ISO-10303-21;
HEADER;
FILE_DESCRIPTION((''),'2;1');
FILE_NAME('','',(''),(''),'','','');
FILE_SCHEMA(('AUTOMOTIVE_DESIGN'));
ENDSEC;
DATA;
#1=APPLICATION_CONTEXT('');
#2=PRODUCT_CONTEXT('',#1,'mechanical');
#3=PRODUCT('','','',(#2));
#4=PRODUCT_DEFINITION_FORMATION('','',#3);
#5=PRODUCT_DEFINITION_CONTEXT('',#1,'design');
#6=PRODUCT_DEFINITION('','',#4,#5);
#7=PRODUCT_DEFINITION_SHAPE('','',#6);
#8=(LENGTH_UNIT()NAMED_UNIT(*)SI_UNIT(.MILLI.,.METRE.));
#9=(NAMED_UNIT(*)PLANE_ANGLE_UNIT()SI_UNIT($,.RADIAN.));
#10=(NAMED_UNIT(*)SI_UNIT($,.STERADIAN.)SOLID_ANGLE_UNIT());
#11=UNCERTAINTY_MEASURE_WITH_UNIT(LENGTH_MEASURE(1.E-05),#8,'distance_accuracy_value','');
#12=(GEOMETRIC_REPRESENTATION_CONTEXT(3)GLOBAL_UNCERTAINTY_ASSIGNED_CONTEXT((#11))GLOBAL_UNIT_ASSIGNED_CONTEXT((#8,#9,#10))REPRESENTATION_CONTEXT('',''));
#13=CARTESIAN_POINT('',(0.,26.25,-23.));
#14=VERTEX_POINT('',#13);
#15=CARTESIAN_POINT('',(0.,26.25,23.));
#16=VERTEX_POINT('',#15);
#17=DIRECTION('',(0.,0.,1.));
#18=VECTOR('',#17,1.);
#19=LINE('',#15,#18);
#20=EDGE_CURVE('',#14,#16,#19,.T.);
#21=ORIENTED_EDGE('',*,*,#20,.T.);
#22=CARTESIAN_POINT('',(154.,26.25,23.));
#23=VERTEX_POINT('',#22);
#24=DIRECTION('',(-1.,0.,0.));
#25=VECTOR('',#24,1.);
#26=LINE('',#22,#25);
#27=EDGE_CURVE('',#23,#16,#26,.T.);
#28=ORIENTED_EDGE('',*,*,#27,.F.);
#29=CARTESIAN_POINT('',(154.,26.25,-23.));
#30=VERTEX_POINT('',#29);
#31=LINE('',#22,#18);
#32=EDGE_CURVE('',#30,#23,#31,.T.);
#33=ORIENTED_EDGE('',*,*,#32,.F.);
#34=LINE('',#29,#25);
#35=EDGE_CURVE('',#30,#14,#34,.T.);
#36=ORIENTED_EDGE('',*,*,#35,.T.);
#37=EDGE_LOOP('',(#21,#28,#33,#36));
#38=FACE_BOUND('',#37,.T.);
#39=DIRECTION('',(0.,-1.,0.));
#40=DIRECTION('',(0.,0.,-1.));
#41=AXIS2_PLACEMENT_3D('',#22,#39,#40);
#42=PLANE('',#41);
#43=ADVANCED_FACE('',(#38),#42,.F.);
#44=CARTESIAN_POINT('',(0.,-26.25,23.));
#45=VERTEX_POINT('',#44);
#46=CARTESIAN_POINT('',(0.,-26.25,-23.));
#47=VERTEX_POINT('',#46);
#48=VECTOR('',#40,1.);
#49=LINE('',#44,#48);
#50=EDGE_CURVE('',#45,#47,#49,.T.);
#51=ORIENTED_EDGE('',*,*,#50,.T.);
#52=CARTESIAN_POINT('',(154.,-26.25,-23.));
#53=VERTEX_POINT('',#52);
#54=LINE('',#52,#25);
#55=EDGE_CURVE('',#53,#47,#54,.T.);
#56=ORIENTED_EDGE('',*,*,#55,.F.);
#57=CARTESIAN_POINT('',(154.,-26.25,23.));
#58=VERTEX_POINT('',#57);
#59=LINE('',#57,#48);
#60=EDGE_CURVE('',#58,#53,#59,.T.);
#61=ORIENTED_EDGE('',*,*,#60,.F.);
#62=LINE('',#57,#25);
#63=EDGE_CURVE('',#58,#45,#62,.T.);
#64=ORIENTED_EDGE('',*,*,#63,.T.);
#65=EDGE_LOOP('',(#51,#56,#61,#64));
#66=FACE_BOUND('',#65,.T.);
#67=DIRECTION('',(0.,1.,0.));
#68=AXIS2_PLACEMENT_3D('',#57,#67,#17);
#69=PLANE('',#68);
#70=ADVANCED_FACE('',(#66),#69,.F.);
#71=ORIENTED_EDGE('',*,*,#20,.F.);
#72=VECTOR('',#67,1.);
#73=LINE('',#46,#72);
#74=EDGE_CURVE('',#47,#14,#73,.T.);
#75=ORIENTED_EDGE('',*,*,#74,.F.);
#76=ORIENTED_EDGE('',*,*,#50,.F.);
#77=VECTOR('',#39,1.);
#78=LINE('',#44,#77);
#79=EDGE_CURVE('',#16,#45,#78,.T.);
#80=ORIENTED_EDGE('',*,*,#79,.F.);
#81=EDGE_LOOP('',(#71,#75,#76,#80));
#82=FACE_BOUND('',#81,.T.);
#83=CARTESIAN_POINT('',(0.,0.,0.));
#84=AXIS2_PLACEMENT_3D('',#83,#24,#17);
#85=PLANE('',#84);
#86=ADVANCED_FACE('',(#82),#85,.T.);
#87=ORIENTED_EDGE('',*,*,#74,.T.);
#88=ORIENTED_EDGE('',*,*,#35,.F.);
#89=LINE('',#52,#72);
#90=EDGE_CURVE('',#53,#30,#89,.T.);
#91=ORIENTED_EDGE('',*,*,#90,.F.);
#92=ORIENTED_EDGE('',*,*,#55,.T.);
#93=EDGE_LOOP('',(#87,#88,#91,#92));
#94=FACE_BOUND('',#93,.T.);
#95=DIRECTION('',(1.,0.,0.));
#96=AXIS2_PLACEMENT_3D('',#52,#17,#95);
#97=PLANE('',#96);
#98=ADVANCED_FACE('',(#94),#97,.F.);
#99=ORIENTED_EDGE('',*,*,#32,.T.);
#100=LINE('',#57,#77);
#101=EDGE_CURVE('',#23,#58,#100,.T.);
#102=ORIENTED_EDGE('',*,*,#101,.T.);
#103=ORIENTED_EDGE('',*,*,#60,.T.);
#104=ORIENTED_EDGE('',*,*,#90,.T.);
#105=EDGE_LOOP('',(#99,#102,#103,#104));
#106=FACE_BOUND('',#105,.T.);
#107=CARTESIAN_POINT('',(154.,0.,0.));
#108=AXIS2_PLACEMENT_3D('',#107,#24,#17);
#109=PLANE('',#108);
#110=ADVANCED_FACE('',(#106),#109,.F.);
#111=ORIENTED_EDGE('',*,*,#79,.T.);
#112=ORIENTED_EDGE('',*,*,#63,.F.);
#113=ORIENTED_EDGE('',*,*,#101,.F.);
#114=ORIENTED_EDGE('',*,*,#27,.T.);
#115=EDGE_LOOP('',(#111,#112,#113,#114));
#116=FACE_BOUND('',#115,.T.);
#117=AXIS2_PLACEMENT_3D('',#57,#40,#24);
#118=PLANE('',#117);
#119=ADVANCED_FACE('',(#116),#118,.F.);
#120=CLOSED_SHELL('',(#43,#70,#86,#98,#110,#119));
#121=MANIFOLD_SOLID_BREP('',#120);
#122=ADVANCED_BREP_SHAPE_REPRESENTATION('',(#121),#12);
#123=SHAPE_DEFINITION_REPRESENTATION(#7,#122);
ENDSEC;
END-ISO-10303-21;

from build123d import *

# Parameters (mm, degrees)
SKETCH_2_W      = 46
SKETCH_2_H      = 52.5
EXTRUDE_1_DEPTH = 154


with BuildPart() as part:
    # 草图2 → 凸台-拉伸1 (new body)
    with BuildSketch(Plane(origin=(0, 0, 0), x_dir=(0, 0, -1), z_dir=(1, 0, 0))):
        Rectangle(SKETCH_2_W, SKETCH_2_H)
    extrude(amount=EXTRUDE_1_DEPTH)


solid = part.part
